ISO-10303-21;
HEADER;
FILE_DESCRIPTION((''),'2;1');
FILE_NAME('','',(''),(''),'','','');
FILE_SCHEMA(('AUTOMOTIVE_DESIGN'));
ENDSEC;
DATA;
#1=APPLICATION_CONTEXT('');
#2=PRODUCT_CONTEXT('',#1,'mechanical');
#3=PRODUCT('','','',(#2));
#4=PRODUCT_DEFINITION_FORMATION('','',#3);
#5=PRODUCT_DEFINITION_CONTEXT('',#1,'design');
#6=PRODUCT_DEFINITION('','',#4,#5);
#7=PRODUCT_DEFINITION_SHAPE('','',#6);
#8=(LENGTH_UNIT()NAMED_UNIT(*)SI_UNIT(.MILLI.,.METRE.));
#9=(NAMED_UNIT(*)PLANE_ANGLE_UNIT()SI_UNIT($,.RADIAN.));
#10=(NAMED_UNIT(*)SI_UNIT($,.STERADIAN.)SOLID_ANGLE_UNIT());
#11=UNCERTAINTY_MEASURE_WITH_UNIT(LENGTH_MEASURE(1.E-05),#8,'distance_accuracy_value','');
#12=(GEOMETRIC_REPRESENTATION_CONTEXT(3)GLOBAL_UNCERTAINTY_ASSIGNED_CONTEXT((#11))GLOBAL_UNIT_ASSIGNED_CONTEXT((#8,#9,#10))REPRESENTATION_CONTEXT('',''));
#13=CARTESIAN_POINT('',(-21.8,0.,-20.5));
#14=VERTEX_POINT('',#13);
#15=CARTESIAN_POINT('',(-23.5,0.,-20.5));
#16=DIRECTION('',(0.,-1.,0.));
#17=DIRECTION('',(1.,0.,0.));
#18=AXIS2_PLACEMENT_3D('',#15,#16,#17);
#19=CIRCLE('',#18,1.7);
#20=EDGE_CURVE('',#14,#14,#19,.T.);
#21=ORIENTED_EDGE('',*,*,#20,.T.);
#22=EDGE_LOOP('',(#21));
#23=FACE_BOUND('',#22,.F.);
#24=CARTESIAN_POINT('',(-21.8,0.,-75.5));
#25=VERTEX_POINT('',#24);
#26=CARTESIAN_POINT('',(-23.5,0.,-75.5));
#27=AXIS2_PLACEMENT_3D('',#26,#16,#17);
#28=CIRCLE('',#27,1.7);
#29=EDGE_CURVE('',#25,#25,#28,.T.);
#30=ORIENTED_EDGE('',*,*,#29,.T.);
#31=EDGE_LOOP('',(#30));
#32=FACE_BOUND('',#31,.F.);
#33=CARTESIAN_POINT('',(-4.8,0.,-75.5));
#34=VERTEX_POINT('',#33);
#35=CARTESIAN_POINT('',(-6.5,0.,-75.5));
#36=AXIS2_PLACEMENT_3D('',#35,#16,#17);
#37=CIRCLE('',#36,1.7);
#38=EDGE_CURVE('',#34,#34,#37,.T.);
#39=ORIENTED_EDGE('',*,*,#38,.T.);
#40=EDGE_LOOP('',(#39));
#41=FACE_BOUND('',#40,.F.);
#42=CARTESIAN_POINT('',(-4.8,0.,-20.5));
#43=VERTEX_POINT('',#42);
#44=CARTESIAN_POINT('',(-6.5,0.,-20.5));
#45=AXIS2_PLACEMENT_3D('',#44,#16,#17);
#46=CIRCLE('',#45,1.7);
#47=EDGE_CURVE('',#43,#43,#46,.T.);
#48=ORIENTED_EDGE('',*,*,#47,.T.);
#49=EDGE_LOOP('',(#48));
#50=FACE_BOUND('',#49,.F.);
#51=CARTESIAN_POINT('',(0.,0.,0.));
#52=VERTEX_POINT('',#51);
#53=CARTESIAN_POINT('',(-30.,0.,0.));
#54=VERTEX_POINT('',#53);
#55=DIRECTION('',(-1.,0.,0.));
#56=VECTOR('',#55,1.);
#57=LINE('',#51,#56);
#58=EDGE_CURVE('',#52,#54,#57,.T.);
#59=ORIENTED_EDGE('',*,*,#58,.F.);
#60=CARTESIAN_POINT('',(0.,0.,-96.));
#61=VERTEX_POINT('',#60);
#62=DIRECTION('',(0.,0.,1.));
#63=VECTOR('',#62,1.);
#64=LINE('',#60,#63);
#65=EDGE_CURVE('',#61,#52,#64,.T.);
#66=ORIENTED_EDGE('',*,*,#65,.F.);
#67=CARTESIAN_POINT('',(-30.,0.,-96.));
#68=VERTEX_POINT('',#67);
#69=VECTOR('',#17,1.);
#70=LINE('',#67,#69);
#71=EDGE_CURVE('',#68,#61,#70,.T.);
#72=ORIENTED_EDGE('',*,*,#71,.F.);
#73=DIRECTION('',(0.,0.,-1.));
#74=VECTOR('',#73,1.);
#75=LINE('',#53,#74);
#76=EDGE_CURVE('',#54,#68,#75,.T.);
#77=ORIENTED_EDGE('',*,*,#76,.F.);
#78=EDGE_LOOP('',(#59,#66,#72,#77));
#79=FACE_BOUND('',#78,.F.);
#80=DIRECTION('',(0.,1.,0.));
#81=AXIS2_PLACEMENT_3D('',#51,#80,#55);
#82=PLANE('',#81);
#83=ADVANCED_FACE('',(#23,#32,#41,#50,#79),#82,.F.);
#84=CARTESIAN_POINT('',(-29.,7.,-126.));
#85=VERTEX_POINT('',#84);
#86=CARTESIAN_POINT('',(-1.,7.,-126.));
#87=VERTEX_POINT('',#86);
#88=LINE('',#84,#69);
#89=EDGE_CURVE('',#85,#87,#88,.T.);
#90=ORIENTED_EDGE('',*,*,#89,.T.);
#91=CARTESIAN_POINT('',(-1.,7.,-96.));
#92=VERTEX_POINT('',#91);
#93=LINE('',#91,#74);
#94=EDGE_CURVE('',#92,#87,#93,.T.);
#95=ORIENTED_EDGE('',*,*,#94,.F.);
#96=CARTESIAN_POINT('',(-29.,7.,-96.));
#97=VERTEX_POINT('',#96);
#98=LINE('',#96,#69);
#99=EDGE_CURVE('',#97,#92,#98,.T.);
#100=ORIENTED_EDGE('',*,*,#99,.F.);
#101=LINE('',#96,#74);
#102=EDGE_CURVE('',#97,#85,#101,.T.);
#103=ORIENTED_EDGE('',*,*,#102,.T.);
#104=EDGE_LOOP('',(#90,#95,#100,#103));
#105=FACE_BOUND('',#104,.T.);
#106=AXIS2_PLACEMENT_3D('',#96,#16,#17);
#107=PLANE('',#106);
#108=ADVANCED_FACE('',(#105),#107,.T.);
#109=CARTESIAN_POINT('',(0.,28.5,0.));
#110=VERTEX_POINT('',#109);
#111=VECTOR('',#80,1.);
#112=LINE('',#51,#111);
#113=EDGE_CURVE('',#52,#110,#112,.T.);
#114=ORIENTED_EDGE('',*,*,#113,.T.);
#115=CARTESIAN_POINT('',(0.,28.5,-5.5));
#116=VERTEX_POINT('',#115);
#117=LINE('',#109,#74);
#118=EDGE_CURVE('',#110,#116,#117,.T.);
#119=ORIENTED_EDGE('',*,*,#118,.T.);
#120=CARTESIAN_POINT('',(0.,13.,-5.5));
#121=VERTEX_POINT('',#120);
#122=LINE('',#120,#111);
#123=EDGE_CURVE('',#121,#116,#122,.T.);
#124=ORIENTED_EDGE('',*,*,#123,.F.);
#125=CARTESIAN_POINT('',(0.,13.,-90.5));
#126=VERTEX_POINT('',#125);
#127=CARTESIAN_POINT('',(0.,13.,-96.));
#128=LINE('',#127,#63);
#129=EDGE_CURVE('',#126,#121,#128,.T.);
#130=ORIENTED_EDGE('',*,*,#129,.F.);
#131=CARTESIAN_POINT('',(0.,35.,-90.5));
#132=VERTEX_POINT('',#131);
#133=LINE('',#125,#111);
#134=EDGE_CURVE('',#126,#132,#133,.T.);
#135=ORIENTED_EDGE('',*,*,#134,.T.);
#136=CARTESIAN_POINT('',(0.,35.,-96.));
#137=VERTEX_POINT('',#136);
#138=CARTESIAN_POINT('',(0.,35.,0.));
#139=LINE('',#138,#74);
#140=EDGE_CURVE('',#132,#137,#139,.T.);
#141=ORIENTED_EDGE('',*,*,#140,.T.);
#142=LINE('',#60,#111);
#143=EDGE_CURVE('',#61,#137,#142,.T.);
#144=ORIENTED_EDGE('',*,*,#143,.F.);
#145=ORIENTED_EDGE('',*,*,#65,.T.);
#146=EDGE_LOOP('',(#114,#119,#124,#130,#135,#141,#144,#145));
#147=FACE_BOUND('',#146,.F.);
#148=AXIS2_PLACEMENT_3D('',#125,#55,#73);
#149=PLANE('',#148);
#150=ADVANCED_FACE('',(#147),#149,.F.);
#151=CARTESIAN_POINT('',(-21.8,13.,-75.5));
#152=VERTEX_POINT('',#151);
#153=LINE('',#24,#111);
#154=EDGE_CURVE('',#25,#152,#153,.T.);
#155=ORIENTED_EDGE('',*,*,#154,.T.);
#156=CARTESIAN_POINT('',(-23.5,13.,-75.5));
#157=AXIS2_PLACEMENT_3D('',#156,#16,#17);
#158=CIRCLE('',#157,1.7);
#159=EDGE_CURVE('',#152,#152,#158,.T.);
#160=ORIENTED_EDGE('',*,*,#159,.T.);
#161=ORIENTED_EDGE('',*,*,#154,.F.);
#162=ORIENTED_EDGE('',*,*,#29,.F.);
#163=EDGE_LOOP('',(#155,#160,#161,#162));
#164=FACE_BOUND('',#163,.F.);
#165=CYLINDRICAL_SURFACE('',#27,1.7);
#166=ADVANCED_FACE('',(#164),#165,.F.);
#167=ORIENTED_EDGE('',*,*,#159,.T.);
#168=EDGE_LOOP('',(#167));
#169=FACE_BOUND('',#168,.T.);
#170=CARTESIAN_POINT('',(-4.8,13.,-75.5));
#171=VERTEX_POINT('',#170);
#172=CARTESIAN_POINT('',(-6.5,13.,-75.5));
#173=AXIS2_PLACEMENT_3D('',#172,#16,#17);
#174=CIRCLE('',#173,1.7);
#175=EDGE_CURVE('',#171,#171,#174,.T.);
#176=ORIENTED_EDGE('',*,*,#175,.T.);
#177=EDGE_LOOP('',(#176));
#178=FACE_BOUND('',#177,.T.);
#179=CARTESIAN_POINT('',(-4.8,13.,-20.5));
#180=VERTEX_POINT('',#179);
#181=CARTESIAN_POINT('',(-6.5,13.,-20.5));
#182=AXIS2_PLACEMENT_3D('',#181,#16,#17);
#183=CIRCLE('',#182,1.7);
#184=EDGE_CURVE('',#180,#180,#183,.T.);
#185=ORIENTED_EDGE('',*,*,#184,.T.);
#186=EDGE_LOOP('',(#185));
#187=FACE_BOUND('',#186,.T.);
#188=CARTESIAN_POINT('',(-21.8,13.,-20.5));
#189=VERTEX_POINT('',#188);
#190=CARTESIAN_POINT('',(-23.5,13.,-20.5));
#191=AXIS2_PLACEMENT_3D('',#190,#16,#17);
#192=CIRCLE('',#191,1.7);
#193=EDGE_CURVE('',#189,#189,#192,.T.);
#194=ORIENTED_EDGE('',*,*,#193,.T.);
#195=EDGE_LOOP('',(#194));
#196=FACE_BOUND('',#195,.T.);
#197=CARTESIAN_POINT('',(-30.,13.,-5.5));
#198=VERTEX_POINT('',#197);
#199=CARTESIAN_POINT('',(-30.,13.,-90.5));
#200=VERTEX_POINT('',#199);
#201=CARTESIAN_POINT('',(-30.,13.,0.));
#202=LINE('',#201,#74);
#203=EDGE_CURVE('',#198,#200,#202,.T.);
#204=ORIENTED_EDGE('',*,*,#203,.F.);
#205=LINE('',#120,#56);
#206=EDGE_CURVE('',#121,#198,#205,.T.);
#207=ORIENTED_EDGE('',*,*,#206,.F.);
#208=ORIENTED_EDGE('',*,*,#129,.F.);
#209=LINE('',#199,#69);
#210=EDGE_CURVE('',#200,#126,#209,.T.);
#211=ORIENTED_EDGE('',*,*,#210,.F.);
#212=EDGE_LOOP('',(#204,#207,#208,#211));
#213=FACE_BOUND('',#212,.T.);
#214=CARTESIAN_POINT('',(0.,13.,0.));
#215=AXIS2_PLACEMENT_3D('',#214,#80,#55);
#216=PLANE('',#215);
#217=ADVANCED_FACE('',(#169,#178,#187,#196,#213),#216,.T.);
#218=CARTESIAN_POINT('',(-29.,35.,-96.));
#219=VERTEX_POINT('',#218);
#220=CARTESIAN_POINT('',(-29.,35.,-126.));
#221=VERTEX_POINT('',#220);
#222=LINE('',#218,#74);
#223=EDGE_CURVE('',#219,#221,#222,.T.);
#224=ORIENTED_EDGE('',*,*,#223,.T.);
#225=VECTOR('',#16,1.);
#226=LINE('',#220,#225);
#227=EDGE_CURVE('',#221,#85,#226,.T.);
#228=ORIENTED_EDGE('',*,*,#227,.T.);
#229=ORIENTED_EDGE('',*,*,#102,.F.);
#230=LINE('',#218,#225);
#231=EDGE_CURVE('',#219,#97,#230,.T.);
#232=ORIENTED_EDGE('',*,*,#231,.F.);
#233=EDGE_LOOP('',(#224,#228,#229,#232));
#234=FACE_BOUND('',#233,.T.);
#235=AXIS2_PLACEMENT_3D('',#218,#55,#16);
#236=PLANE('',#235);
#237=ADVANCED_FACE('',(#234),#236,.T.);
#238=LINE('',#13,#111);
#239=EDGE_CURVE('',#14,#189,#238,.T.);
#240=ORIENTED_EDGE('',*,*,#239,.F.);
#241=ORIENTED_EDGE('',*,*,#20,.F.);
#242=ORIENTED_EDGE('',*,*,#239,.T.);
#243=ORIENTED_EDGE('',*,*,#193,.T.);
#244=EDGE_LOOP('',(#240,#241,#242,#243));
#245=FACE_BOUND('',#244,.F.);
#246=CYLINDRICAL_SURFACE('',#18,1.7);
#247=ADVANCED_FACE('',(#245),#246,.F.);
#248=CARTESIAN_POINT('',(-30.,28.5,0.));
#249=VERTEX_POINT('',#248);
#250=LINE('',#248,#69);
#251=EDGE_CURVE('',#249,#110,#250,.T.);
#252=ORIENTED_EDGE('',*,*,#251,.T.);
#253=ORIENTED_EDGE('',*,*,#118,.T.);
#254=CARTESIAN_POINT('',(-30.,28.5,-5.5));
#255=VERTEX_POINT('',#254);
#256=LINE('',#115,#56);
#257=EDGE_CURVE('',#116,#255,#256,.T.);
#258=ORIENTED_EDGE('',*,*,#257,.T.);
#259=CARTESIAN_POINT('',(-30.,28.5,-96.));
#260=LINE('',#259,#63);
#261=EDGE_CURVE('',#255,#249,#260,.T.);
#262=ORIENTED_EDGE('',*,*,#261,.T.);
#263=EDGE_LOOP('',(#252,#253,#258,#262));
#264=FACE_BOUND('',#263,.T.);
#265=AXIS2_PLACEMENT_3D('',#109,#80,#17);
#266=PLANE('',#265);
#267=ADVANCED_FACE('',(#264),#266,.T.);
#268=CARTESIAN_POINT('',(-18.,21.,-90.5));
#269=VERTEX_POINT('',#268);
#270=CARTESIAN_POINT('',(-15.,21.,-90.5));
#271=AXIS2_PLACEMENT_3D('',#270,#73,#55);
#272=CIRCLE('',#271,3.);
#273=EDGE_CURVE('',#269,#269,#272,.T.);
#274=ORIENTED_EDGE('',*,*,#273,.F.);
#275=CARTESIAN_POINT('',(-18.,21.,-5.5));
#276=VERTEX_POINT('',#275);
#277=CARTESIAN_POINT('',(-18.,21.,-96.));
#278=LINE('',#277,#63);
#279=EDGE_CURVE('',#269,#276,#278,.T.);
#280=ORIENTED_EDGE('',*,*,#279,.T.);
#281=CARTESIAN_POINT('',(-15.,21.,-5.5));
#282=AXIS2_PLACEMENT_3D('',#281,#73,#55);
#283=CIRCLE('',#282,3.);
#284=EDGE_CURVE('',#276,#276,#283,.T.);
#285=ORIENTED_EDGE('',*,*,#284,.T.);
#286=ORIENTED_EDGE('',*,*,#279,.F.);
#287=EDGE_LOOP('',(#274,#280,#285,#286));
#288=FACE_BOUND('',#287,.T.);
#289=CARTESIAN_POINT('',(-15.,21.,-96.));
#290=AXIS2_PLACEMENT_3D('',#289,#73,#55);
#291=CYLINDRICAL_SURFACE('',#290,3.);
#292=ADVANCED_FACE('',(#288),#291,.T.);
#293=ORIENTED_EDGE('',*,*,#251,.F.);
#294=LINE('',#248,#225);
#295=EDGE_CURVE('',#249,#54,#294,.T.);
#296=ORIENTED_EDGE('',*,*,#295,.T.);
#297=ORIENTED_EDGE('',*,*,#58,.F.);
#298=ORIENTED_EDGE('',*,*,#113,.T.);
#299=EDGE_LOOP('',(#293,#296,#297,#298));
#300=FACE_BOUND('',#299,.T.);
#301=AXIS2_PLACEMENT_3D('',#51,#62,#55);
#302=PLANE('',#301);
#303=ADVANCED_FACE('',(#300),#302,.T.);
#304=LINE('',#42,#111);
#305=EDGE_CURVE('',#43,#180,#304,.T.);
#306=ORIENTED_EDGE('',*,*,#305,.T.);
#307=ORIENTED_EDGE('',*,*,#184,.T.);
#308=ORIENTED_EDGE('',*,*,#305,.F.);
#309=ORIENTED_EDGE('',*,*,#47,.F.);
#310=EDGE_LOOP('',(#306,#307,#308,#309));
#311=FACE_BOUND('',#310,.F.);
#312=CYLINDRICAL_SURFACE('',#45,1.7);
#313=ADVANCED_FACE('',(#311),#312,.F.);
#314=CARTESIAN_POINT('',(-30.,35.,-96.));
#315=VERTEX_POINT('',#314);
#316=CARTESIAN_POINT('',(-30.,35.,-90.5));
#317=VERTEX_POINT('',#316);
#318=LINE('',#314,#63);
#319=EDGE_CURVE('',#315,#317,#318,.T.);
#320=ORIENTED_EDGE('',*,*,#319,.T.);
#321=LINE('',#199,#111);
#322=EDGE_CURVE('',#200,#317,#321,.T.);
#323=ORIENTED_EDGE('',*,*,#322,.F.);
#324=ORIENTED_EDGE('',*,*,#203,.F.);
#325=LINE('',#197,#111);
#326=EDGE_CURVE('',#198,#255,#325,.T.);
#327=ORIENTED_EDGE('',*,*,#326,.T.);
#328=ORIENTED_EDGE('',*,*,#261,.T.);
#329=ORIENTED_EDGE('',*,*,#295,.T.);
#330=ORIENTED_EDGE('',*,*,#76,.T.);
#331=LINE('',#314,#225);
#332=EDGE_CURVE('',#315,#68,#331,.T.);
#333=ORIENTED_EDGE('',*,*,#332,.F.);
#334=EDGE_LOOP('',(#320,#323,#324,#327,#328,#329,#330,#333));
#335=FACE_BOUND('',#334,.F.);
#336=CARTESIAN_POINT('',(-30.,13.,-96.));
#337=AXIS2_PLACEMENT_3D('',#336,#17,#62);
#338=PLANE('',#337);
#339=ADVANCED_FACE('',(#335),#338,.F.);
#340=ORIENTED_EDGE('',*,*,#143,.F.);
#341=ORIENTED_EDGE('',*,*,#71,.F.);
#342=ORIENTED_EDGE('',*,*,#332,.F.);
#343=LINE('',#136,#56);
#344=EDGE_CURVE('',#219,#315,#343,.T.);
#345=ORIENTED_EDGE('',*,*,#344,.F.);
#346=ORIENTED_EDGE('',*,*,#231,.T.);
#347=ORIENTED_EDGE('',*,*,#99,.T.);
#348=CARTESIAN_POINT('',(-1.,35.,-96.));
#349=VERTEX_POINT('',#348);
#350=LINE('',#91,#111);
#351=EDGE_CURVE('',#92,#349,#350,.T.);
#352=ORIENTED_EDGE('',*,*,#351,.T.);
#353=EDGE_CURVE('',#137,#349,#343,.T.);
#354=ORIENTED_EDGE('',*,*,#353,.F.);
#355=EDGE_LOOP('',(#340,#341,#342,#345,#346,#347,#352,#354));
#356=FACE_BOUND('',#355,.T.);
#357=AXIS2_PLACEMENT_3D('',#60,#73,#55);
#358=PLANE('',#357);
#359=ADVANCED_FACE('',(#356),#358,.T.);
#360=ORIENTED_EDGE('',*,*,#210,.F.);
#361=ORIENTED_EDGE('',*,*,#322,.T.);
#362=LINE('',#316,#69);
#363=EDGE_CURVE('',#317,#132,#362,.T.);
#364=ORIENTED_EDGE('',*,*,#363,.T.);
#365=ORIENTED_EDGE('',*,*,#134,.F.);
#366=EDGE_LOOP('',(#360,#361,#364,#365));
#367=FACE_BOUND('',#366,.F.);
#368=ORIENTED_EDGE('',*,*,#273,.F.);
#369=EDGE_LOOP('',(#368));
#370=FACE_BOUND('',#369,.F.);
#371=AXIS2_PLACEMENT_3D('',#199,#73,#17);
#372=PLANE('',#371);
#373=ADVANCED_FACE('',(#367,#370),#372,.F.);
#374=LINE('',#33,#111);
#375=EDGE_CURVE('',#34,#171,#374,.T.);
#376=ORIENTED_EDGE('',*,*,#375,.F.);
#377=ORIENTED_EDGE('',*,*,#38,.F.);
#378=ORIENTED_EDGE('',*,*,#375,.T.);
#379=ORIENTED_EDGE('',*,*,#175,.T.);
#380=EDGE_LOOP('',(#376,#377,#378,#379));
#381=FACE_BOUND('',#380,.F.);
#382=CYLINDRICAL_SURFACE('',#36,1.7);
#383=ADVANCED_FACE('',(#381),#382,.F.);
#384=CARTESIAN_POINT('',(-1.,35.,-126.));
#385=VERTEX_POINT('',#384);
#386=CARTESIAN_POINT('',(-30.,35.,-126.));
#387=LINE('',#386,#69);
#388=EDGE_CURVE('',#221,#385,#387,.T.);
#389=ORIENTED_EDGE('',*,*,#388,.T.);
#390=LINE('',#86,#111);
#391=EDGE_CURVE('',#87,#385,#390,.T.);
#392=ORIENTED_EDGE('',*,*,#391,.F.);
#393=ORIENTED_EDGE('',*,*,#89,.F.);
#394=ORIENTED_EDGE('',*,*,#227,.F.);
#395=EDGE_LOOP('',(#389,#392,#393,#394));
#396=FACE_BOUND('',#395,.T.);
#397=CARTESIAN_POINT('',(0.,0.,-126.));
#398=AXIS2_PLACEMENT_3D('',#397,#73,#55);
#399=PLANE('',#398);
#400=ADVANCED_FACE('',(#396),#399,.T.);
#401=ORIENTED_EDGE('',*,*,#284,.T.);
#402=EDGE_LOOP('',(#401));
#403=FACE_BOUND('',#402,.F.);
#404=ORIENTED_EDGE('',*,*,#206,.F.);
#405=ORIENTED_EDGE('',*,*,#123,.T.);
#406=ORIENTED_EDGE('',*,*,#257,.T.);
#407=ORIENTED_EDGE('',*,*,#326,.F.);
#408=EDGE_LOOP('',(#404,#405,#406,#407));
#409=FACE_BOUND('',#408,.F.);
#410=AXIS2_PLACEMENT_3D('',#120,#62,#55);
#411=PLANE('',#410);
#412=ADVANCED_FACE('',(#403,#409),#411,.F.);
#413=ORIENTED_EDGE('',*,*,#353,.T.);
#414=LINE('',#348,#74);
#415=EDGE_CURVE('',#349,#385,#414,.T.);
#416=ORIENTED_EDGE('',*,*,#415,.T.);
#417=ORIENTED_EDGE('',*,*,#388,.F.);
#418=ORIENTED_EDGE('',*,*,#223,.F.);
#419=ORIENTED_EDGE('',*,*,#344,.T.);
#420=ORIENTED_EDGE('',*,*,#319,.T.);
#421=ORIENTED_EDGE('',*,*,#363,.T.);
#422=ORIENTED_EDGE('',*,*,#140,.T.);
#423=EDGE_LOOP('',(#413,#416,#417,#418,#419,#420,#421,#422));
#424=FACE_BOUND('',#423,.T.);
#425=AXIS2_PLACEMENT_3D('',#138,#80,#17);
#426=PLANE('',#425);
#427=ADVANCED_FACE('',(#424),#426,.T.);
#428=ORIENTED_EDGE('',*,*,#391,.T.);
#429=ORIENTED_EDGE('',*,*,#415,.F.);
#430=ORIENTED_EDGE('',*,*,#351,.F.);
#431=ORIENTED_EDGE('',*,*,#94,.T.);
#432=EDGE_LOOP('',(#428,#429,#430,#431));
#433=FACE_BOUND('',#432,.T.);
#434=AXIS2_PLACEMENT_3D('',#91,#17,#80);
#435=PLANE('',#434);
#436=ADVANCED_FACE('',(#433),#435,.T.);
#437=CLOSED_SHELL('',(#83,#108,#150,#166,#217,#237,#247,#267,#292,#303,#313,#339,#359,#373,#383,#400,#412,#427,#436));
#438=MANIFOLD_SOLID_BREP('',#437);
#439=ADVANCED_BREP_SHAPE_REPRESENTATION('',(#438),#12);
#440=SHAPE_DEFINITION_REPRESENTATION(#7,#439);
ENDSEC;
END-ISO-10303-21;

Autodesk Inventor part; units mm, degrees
ref_plane "YZ Plane" through (0, 0, 0) normal (1, 0, 0) x (0, 1, 0)
ref_plane "XZ Plane" through (0, 0, 0) normal (0, 1, 0) x (-1, 0, 0)
ref_plane "XY Plane" through (0, 0, 0) normal (0, 0, 1) x (1, 0, 0)
sketch "Sketch1" plane through (0, 0, 0) normal (0, 1, 0) x (-1, 0, 0)
  line L0 (0, 0) -> (30, 0)
  line L1 (30, 0) -> (30, -96)
  line L2 (30, -96) -> (0, -96)
  line L3 (0, -96) -> (0, 0)
  dimension "d0" = 30
  dimension "d1" = 96
extrude "Extrusion1" add sketch "Sketch1" along normal blind 13
sketch "Sketch2" plane through (0, 13, 0) normal (0, 1, 0) x (1, 0, 0)
  line L0 (-30, 96) -> (-30, 0) projected
  line L1 (0, 0) -> (0, 96) projected
  line L2 (-30, 0) -> (0, 0)
  line L3 (0, 0) -> (0, 5.5)
  line L4 (0, 5.5) -> (-30, 5.5)
  line L5 (-30, 5.5) -> (-30, 0)
  line L6 (0, 96) -> (-30, 96)
  line L7 (-30, 96) -> (-30, 90.5)
  line L8 (-30, 90.5) -> (0, 90.5)
  line L9 (0, 90.5) -> (0, 96)
  line L10 (-30, 96) -> (0, 96)
  line L11 (0, 96) -> (0, 90.5)
  line L12 (0, 90.5) -> (-30, 90.5)
  line L13 (-30, 90.5) -> (-30, 96)
  dimension "d4" = 5.5
  dimension "d5" = 5.5
extrude "Extrusion2" add sketch "Sketch2" along normal blind 15.5 contours L4 L1 L2 L0
sketch "Sketch4" plane through (0, 13, 0) normal (0, 1, 0) x (1, 0, 0)
  line L0 (0, 0) -> (0, 96) projected
  line L1 (-30, 96) -> (-30, 0) projected
  line L2 (0, 96) -> (-30, 96)
  line L3 (-30, 96) -> (-30, 90.5)
  line L4 (-30, 90.5) -> (0, 90.5)
  line L5 (0, 90.5) -> (0, 96)
  point P0 (0, 90.5)
  dimension "d8" = 5.5
extrude "Extrusion3" add sketch "Sketch4" along normal blind 22
sketch "Sketch6" plane through (0, 0, -96) normal (0, 0, -1) x (-1, 0, 0)
  line L0 (30, 35) -> (0, 35) construction
  line L1 (30, 0) -> (30, 28.5) projected
  line L2 (0, 35) -> (30, 35) construction
  line L3 (30, 35) -> (30, 7) construction
  line L4 (30, 7) -> (0, 7) construction
  line L5 (0, 7) -> (0, 35) construction
  line L6 (0, 7) -> (30, 35) construction
  line L7 (0, 35) -> (30, 7) construction
  circle A0 centre (15, 21) radius 3
  point P0 (0, 0)
  dimension "d11" = 28
  dimension "d12" = 6
extrude "Extrusion4" add sketch "Sketch6" against normal up to surface (90.5 mm away)
sketch "Sketch7" plane through (0, 0, -96) normal (0, 0, -1) x (-1, 0, 0)
  line L0 (30, 0) -> (30, 28.5) projected
  line L1 (30, 35) -> (0, 35) projected
  line L2 (1, 35) -> (29, 35)
  line L3 (29, 35) -> (29, 7)
  line L4 (29, 7) -> (1, 7)
  line L5 (1, 7) -> (1, 35)
  point P0 (0, 0)
  point P1 (15, 35)
  dimension "d15" = 28
extrude "Extrusion5" add sketch "Sketch7" along normal blind 30
sketch "Sketch8" plane through (0, 0, 0) normal (0, -1, 0) x (1, 0, 0)
  circle A0 centre (-6.5, -75.5) radius 1.7
  circle A1 centre (-23.5, -75.5) radius 1.7
  circle A2 centre (-6.5, -20.5) radius 1.7
  circle A3 centre (-23.5, -20.5) radius 1.7
  line L0 (0, 0) -> (0, -96) projected
  line L1 (-30, 0) -> (0, 0) projected
  line L2 (-30, -96) -> (-30, 0) projected
  line L3 (0, -96) -> (-30, -96) projected
  dimension "d18" = 3.4
  dimension "d19" = 55
  dimension "d20" = 6.5
  dimension "d21" = 20.5
  dimension "d22" = 6.5
  dimension "d25" = 17
  dimension "d26" = 20.5
extrude "Extrusion6" cut sketch "Sketch8" against normal blind 30 contours A0 | A1 | A2 | A3
equation "\"d5\" = d4"
equation "\"d22\" = d20"
properties part number "AE_50MM_STAGE"
